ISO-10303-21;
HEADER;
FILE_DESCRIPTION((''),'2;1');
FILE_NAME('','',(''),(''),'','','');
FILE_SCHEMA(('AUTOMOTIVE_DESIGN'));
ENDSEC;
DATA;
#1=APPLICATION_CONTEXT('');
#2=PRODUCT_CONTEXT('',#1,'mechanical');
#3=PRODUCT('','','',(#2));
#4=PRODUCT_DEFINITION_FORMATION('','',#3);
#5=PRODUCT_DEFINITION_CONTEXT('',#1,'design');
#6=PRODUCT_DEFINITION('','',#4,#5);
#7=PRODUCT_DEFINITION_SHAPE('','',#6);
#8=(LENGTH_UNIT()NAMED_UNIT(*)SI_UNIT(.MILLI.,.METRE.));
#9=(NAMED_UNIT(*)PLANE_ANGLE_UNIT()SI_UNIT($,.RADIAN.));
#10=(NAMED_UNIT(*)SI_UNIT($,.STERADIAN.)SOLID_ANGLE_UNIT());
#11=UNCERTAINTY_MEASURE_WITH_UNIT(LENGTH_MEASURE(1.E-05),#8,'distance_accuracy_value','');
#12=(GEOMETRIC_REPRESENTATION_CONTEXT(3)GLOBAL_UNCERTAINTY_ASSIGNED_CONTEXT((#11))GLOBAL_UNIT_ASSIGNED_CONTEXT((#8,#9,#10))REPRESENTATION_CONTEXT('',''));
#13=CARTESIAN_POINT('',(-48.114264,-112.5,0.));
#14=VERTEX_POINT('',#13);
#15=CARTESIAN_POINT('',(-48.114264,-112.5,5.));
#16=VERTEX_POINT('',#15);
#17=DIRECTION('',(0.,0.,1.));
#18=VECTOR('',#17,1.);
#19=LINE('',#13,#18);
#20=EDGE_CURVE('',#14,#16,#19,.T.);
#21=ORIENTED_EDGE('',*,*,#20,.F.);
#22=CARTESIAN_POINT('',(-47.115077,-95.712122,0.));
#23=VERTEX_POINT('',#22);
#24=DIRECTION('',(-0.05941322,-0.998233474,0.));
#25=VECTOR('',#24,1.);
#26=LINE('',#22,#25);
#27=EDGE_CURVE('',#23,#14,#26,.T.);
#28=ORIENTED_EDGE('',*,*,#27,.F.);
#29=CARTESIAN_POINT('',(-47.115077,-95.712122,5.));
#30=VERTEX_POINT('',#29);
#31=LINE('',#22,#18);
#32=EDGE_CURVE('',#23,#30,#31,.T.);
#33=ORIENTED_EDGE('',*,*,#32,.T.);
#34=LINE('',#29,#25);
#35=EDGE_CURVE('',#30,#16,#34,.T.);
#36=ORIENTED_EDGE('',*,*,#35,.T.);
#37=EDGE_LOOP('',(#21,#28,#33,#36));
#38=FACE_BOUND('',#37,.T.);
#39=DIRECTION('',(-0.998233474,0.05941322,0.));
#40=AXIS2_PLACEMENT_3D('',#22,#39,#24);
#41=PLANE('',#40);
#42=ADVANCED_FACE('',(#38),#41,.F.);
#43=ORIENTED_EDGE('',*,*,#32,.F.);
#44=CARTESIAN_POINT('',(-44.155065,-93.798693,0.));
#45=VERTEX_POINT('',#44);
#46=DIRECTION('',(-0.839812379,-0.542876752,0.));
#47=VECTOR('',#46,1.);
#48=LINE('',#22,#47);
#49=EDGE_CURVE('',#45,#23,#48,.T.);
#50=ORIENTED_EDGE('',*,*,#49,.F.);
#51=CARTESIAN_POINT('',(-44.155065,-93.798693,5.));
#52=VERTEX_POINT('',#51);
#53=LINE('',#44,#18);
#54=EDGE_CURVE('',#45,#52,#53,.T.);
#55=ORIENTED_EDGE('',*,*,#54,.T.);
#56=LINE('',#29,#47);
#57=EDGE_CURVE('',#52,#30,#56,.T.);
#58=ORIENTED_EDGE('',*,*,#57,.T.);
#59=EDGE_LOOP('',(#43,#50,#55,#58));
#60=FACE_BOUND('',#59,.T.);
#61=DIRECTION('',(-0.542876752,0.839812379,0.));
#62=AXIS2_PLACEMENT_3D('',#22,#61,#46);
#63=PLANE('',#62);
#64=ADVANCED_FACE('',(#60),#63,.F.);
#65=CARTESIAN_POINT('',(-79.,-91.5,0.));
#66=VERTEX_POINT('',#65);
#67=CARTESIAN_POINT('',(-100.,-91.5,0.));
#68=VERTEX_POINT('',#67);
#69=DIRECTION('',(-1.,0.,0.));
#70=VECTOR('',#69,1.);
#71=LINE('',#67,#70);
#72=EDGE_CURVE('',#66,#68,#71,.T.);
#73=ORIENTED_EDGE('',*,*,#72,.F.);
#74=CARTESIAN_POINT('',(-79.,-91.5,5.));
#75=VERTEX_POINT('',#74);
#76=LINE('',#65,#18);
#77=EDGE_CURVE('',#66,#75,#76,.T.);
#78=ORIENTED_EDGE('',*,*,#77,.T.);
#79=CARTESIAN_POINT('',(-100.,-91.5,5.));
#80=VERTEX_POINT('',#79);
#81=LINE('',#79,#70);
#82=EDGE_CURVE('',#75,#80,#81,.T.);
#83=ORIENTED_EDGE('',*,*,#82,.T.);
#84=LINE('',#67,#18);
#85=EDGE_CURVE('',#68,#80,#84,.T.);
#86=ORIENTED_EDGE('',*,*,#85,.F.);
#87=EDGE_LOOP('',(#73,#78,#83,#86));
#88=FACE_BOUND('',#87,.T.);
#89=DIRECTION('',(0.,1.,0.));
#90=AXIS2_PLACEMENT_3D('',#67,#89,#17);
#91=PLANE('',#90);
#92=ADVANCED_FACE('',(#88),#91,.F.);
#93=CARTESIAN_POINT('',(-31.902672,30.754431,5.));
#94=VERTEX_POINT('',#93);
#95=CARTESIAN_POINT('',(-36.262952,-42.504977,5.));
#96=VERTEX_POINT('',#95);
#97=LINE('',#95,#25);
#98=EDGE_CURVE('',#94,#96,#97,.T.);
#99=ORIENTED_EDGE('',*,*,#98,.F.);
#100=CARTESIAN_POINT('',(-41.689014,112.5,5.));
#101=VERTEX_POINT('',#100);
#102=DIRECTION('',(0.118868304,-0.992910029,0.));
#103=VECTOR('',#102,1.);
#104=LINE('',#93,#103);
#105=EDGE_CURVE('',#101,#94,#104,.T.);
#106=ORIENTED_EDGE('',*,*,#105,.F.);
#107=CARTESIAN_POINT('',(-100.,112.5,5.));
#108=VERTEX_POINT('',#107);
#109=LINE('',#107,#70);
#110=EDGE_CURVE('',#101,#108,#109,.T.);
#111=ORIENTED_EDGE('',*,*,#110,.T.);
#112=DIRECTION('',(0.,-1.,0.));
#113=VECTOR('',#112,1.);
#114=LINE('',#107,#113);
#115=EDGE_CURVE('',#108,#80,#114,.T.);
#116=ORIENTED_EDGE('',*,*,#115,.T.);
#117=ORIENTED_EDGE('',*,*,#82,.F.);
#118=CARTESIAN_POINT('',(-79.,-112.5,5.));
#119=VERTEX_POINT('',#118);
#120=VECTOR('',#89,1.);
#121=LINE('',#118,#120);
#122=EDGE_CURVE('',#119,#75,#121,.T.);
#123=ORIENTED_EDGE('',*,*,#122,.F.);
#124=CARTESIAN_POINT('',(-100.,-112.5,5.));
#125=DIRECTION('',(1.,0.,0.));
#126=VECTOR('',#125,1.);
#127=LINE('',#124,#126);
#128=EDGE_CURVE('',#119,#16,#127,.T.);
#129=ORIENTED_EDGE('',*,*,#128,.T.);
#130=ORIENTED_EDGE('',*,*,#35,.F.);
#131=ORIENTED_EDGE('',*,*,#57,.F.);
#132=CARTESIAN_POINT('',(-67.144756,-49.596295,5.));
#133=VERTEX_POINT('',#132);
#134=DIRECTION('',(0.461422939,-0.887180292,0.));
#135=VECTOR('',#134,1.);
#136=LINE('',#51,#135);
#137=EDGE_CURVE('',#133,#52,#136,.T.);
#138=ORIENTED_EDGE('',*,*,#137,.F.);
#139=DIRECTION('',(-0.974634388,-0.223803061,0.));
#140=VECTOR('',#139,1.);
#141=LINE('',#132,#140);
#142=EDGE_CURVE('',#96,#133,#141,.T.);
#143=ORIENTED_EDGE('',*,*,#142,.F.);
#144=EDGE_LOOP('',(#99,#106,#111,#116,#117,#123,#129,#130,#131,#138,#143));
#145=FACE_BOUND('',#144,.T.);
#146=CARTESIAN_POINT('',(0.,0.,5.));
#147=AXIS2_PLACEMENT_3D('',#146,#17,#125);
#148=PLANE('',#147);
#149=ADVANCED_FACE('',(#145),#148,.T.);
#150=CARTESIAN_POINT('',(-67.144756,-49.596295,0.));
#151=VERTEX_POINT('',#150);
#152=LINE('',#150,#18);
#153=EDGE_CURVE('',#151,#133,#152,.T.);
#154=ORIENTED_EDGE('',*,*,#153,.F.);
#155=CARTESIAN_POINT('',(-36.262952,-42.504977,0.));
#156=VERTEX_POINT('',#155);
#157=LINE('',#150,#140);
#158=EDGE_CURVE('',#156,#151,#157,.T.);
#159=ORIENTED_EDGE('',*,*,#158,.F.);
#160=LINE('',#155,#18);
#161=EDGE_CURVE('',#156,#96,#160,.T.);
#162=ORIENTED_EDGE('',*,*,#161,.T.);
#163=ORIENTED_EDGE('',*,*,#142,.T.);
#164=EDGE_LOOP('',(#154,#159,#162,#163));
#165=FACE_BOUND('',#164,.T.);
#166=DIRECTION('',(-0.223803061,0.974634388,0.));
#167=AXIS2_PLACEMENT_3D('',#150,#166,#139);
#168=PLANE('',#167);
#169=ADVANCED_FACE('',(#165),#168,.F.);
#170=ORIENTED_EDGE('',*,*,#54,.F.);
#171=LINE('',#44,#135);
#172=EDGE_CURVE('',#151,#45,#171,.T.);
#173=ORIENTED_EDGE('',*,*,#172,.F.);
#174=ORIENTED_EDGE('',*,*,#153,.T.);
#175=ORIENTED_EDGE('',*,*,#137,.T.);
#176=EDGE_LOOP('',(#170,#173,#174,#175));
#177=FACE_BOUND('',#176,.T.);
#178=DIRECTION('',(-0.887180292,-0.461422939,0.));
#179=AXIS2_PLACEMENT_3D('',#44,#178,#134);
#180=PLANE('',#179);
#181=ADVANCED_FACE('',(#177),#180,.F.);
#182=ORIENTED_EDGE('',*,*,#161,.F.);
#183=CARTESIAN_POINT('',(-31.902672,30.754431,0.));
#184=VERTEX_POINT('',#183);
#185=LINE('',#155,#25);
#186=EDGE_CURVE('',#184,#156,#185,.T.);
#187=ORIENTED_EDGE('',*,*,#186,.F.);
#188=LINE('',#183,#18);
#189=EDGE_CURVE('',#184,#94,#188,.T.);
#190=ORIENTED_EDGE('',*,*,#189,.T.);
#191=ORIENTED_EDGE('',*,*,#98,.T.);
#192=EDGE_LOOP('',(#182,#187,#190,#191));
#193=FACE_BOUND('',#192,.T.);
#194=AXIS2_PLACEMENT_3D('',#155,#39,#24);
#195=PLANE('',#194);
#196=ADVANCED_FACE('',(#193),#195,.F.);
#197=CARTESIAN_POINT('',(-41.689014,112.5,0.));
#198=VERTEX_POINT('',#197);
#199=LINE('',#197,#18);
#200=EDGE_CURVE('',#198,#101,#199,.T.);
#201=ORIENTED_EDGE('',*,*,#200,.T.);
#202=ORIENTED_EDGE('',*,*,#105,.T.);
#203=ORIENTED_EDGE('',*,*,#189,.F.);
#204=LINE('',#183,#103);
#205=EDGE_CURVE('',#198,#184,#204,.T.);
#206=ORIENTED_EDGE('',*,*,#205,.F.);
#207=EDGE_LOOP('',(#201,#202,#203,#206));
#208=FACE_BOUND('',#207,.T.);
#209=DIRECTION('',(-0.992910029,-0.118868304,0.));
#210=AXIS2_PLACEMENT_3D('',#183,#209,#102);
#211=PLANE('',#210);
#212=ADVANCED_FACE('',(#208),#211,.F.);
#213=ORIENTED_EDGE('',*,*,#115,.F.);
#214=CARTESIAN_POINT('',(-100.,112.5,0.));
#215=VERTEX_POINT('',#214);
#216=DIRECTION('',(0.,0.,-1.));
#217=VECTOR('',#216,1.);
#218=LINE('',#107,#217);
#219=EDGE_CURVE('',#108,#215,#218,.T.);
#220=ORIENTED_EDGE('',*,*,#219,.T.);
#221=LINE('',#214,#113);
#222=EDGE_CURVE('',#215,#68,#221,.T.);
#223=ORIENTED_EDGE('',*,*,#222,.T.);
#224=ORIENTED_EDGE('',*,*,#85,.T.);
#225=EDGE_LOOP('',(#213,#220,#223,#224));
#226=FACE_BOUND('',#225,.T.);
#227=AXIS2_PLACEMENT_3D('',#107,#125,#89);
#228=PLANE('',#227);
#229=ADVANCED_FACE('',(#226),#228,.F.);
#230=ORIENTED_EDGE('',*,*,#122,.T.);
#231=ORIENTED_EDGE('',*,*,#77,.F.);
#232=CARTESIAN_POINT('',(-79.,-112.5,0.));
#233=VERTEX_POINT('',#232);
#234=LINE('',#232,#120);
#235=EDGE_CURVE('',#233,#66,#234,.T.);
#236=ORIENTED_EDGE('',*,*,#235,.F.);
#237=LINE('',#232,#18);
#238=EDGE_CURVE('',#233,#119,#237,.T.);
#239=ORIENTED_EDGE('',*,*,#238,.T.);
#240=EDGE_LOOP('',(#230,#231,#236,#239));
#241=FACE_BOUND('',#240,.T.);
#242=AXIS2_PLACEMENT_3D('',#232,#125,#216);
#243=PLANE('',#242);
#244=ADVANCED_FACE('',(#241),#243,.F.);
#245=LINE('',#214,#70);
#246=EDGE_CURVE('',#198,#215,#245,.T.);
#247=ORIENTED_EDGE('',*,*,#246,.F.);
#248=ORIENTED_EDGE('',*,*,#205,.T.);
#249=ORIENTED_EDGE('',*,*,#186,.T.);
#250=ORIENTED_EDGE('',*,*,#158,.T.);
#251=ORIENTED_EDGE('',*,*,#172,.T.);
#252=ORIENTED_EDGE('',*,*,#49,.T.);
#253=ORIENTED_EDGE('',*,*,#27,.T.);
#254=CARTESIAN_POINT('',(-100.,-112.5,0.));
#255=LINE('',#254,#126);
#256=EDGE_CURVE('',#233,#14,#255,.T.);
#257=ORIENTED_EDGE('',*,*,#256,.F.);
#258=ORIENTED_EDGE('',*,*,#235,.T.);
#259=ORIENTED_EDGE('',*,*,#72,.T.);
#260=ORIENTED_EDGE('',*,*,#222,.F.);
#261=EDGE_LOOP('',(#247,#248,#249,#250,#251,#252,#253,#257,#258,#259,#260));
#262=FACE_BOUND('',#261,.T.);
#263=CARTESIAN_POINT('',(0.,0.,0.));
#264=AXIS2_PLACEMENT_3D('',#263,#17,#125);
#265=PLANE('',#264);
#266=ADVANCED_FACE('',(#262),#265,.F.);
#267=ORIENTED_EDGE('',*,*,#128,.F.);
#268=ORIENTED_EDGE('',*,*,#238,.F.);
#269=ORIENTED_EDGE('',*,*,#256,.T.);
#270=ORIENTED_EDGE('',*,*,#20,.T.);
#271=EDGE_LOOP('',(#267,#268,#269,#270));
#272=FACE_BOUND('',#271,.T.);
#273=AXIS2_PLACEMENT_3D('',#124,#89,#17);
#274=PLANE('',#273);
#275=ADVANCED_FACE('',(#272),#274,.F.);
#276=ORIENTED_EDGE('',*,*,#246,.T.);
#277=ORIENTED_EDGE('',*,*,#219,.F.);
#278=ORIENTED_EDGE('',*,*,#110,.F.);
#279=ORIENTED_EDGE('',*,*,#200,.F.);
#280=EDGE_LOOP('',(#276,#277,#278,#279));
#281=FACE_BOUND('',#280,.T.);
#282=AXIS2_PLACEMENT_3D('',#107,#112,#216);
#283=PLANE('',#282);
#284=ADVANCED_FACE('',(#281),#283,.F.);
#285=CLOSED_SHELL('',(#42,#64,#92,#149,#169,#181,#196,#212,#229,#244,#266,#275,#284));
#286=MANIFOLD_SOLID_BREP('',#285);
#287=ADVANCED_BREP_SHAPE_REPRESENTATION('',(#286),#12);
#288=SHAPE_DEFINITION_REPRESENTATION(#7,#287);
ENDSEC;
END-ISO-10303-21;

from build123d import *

# Parameters (mm, degrees)
SKETCH1_W           = 200
SKETCH1_H           = 225
BOSS_EXTRUDE1_DEPTH = 5
SKETCH2_W           = 21
SKETCH2_H           = 21
CUT_EXTRUDE1_DEPTH  = 151.602954818
CUT_EXTRUDE2_DEPTH  = 151.602954818


with BuildPart() as part:
    # Sketch1 → Boss-Extrude1 (new body)
    with BuildSketch(Plane.XY):
        Rectangle(SKETCH1_W, SKETCH1_H)
    extrude(amount=BOSS_EXTRUDE1_DEPTH)

    # Sketch2 → Cut-Extrude1 (cut, through all)
    with BuildSketch(Plane.XY.offset(5)):
        with Locations((-89.5, -102)):
            Rectangle(SKETCH2_W, SKETCH2_H)
    extrude(amount=-CUT_EXTRUDE1_DEPTH, mode=Mode.SUBTRACT)

    # Sketch3 → Cut-Extrude2 (cut, through all)
    with BuildSketch(Plane.XY.offset(5)):
        Polygon((-47.115076642, -95.712122393), (-48.11426359, -112.5), (100, -112.5), (100, 112.5), (-41.68901441, 112.5), (-31.902672347, 30.754430855), (-36.262952178, -42.504976974), (-67.144755679, -49.596294754), (-44.155064893, -93.798693152), align=None)
    extrude(amount=-CUT_EXTRUDE2_DEPTH, mode=Mode.SUBTRACT)


solid = part.part
